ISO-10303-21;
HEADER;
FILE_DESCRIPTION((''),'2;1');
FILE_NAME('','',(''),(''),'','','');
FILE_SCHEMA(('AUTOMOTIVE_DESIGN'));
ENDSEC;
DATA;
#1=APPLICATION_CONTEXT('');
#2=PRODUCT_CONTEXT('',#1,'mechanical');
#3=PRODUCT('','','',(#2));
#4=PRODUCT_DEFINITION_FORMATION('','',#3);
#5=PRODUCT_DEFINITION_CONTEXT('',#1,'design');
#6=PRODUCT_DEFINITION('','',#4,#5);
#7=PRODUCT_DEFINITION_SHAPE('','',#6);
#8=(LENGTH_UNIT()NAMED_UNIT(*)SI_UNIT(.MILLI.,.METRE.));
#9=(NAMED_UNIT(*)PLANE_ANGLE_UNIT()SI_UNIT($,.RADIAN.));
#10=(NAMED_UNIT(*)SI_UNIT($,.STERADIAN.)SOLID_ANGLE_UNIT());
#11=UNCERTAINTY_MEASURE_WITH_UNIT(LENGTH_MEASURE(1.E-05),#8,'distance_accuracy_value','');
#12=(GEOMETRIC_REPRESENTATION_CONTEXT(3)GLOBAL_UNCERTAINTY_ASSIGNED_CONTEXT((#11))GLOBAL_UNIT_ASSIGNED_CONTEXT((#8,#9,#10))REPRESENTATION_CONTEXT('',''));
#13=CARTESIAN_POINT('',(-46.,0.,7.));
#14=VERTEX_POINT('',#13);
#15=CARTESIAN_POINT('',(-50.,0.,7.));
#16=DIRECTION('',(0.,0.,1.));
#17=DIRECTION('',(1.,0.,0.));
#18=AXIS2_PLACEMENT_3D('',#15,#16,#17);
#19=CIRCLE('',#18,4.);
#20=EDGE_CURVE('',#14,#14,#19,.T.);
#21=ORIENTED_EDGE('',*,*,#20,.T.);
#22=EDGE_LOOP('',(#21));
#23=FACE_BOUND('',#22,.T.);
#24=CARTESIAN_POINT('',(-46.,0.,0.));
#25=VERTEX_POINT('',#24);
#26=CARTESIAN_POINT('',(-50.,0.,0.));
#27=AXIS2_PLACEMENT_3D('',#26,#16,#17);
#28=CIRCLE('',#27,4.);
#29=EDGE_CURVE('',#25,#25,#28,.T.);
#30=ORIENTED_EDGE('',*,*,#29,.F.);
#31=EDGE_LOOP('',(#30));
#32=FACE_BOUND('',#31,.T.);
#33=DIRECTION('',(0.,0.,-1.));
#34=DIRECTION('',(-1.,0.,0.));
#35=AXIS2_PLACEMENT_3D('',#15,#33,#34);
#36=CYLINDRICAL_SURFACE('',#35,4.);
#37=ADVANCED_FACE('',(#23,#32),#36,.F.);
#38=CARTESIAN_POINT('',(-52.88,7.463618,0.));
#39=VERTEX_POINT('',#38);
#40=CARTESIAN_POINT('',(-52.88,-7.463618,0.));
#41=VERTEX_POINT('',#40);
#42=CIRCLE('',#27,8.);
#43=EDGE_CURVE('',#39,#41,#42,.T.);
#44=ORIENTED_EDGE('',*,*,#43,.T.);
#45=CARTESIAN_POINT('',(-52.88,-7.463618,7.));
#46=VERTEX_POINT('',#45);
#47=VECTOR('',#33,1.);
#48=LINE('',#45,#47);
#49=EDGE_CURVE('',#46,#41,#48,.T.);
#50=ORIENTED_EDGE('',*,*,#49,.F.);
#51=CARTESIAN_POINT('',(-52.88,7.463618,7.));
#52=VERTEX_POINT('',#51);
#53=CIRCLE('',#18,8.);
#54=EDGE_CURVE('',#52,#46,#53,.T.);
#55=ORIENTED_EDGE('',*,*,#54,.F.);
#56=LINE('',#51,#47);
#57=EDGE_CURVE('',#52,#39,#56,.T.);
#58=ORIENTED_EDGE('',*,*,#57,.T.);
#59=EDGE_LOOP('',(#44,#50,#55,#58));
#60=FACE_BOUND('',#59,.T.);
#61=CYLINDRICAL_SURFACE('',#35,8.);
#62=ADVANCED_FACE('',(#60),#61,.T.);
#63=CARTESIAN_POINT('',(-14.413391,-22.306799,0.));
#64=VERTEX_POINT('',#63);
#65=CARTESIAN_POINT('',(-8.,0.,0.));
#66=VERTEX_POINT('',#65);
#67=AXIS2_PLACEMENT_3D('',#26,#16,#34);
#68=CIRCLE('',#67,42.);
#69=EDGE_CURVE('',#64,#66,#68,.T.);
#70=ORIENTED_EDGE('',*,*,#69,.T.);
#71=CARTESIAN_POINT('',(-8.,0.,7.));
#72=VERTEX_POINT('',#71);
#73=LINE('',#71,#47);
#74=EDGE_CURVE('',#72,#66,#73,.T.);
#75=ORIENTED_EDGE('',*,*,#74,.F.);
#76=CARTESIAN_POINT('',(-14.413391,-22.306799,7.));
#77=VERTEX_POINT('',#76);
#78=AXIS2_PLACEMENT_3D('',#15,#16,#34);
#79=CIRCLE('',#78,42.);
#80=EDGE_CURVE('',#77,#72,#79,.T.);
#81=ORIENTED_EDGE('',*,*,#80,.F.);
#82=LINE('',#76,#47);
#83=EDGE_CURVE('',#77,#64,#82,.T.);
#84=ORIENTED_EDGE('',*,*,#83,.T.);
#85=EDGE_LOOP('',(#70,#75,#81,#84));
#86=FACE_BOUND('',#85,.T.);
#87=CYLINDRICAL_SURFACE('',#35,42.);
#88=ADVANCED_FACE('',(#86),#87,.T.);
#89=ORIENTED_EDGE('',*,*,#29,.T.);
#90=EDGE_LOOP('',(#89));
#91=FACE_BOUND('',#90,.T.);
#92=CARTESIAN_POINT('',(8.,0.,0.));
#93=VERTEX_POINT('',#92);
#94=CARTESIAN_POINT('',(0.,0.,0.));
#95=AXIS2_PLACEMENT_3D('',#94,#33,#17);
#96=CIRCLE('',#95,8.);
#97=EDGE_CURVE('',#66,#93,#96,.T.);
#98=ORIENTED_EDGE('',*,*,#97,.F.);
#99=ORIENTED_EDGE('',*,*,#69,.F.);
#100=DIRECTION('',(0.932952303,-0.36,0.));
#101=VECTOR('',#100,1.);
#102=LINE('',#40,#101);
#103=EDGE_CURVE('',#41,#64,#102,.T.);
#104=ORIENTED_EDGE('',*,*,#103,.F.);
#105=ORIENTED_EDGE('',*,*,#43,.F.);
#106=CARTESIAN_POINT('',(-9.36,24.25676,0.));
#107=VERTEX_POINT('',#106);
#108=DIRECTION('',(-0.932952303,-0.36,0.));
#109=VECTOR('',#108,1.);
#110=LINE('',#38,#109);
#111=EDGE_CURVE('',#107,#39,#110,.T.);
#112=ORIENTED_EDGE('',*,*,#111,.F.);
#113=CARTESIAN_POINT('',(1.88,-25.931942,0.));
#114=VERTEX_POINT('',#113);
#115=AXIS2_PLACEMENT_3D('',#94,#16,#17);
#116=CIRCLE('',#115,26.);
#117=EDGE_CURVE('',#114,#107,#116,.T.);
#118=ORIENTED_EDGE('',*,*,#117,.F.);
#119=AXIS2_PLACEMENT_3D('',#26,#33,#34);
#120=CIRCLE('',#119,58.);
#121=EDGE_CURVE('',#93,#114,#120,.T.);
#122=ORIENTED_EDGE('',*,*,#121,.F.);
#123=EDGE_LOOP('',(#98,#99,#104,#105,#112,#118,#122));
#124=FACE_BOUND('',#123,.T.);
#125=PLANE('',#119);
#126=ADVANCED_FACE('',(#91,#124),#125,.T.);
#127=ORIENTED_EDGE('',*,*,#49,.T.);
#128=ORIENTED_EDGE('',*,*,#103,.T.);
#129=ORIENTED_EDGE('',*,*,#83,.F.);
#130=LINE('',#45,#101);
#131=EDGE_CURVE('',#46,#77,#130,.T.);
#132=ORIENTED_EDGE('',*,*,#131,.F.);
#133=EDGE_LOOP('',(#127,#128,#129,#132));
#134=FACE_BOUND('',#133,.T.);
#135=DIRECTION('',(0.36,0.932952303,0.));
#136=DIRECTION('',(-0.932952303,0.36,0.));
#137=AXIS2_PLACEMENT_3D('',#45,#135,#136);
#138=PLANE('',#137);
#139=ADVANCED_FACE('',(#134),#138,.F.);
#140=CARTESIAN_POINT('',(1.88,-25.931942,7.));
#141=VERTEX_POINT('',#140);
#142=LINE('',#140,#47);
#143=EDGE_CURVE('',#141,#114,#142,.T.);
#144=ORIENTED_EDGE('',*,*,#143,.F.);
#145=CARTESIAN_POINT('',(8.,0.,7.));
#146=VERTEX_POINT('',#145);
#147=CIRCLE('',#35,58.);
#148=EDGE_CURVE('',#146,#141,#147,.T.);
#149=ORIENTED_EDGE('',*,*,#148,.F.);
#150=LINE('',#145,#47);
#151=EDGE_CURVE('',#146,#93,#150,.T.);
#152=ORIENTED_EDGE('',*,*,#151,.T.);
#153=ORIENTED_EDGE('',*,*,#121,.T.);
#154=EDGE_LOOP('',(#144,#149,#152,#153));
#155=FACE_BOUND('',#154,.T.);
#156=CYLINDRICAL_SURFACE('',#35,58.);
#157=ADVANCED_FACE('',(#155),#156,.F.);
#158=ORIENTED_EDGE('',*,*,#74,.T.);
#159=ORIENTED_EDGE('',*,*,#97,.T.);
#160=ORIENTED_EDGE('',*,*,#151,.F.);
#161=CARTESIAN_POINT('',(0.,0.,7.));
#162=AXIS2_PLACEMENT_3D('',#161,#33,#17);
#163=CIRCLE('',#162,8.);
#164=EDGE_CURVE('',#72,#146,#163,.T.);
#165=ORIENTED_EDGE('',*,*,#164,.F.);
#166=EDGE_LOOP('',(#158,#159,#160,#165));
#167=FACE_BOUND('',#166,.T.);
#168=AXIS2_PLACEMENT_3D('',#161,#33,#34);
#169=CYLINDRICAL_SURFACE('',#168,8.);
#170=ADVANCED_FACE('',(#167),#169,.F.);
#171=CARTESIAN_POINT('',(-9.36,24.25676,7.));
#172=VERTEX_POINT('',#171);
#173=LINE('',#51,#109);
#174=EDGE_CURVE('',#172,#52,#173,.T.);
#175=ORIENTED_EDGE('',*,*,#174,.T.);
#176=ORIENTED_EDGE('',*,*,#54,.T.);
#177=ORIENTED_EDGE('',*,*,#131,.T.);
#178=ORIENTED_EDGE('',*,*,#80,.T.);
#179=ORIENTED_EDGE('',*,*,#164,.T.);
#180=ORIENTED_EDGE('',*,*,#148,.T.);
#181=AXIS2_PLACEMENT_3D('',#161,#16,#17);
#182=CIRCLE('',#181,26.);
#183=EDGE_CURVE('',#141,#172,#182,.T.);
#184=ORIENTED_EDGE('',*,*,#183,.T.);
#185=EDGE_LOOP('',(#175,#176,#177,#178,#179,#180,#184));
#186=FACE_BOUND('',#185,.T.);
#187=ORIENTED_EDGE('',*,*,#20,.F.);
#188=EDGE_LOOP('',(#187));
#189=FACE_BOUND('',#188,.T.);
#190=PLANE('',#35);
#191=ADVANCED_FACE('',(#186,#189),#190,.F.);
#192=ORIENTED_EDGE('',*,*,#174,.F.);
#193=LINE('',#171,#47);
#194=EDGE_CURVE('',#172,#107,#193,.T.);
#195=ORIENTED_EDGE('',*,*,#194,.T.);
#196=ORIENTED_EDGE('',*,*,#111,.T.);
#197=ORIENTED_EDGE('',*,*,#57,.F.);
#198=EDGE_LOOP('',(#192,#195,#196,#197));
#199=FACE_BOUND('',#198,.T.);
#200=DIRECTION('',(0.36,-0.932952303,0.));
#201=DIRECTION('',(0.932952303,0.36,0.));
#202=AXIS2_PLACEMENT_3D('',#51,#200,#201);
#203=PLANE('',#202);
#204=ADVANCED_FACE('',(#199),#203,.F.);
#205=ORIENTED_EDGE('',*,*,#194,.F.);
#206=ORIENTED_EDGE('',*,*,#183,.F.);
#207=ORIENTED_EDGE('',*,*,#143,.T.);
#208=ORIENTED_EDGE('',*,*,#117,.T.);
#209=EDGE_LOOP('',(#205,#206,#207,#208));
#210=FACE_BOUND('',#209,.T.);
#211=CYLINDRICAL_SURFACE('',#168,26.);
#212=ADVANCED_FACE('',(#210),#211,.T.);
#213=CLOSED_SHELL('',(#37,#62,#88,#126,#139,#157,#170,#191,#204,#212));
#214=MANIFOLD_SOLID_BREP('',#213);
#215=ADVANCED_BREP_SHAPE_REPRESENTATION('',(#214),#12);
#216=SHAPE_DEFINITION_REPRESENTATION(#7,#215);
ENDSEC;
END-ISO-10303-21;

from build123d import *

# Parameters (mm, degrees)
SKICA2_R                = 4
P_IDAT_VYSUNUT_M1_DEPTH = 7


with BuildPart() as part:
    # Skica2 → Přidat vysunutím1 (new body)
    with BuildSketch(Plane.XY):
        with BuildLine():
            Line((-52.88, 7.463618425), (-9.36, 24.256759883))
            ThreePointArc((-9.36, 24.256759883), (25.371520283, 5.682073435), (1.88, -25.931941694))
            ThreePointArc((1.88, -25.931941694), (6.44926926, -13.322161987), (8, 0))
            ThreePointArc((8, 0), (0, 8), (-8, 0))
            ThreePointArc((-8, 0), (-9.635178846, -11.60522353), (-14.413391103, -22.306798678))
            Line((-14.413391103, -22.306798678), (-52.88, -7.463618425))
            ThreePointArc((-52.88, -7.463618425), (-58, 0), (-52.88, 7.463618425))
        make_face()
        with Locations((-50, 0)):
            Circle(SKICA2_R, mode=Mode.SUBTRACT)
    extrude(amount=P_IDAT_VYSUNUT_M1_DEPTH)


solid = part.part
